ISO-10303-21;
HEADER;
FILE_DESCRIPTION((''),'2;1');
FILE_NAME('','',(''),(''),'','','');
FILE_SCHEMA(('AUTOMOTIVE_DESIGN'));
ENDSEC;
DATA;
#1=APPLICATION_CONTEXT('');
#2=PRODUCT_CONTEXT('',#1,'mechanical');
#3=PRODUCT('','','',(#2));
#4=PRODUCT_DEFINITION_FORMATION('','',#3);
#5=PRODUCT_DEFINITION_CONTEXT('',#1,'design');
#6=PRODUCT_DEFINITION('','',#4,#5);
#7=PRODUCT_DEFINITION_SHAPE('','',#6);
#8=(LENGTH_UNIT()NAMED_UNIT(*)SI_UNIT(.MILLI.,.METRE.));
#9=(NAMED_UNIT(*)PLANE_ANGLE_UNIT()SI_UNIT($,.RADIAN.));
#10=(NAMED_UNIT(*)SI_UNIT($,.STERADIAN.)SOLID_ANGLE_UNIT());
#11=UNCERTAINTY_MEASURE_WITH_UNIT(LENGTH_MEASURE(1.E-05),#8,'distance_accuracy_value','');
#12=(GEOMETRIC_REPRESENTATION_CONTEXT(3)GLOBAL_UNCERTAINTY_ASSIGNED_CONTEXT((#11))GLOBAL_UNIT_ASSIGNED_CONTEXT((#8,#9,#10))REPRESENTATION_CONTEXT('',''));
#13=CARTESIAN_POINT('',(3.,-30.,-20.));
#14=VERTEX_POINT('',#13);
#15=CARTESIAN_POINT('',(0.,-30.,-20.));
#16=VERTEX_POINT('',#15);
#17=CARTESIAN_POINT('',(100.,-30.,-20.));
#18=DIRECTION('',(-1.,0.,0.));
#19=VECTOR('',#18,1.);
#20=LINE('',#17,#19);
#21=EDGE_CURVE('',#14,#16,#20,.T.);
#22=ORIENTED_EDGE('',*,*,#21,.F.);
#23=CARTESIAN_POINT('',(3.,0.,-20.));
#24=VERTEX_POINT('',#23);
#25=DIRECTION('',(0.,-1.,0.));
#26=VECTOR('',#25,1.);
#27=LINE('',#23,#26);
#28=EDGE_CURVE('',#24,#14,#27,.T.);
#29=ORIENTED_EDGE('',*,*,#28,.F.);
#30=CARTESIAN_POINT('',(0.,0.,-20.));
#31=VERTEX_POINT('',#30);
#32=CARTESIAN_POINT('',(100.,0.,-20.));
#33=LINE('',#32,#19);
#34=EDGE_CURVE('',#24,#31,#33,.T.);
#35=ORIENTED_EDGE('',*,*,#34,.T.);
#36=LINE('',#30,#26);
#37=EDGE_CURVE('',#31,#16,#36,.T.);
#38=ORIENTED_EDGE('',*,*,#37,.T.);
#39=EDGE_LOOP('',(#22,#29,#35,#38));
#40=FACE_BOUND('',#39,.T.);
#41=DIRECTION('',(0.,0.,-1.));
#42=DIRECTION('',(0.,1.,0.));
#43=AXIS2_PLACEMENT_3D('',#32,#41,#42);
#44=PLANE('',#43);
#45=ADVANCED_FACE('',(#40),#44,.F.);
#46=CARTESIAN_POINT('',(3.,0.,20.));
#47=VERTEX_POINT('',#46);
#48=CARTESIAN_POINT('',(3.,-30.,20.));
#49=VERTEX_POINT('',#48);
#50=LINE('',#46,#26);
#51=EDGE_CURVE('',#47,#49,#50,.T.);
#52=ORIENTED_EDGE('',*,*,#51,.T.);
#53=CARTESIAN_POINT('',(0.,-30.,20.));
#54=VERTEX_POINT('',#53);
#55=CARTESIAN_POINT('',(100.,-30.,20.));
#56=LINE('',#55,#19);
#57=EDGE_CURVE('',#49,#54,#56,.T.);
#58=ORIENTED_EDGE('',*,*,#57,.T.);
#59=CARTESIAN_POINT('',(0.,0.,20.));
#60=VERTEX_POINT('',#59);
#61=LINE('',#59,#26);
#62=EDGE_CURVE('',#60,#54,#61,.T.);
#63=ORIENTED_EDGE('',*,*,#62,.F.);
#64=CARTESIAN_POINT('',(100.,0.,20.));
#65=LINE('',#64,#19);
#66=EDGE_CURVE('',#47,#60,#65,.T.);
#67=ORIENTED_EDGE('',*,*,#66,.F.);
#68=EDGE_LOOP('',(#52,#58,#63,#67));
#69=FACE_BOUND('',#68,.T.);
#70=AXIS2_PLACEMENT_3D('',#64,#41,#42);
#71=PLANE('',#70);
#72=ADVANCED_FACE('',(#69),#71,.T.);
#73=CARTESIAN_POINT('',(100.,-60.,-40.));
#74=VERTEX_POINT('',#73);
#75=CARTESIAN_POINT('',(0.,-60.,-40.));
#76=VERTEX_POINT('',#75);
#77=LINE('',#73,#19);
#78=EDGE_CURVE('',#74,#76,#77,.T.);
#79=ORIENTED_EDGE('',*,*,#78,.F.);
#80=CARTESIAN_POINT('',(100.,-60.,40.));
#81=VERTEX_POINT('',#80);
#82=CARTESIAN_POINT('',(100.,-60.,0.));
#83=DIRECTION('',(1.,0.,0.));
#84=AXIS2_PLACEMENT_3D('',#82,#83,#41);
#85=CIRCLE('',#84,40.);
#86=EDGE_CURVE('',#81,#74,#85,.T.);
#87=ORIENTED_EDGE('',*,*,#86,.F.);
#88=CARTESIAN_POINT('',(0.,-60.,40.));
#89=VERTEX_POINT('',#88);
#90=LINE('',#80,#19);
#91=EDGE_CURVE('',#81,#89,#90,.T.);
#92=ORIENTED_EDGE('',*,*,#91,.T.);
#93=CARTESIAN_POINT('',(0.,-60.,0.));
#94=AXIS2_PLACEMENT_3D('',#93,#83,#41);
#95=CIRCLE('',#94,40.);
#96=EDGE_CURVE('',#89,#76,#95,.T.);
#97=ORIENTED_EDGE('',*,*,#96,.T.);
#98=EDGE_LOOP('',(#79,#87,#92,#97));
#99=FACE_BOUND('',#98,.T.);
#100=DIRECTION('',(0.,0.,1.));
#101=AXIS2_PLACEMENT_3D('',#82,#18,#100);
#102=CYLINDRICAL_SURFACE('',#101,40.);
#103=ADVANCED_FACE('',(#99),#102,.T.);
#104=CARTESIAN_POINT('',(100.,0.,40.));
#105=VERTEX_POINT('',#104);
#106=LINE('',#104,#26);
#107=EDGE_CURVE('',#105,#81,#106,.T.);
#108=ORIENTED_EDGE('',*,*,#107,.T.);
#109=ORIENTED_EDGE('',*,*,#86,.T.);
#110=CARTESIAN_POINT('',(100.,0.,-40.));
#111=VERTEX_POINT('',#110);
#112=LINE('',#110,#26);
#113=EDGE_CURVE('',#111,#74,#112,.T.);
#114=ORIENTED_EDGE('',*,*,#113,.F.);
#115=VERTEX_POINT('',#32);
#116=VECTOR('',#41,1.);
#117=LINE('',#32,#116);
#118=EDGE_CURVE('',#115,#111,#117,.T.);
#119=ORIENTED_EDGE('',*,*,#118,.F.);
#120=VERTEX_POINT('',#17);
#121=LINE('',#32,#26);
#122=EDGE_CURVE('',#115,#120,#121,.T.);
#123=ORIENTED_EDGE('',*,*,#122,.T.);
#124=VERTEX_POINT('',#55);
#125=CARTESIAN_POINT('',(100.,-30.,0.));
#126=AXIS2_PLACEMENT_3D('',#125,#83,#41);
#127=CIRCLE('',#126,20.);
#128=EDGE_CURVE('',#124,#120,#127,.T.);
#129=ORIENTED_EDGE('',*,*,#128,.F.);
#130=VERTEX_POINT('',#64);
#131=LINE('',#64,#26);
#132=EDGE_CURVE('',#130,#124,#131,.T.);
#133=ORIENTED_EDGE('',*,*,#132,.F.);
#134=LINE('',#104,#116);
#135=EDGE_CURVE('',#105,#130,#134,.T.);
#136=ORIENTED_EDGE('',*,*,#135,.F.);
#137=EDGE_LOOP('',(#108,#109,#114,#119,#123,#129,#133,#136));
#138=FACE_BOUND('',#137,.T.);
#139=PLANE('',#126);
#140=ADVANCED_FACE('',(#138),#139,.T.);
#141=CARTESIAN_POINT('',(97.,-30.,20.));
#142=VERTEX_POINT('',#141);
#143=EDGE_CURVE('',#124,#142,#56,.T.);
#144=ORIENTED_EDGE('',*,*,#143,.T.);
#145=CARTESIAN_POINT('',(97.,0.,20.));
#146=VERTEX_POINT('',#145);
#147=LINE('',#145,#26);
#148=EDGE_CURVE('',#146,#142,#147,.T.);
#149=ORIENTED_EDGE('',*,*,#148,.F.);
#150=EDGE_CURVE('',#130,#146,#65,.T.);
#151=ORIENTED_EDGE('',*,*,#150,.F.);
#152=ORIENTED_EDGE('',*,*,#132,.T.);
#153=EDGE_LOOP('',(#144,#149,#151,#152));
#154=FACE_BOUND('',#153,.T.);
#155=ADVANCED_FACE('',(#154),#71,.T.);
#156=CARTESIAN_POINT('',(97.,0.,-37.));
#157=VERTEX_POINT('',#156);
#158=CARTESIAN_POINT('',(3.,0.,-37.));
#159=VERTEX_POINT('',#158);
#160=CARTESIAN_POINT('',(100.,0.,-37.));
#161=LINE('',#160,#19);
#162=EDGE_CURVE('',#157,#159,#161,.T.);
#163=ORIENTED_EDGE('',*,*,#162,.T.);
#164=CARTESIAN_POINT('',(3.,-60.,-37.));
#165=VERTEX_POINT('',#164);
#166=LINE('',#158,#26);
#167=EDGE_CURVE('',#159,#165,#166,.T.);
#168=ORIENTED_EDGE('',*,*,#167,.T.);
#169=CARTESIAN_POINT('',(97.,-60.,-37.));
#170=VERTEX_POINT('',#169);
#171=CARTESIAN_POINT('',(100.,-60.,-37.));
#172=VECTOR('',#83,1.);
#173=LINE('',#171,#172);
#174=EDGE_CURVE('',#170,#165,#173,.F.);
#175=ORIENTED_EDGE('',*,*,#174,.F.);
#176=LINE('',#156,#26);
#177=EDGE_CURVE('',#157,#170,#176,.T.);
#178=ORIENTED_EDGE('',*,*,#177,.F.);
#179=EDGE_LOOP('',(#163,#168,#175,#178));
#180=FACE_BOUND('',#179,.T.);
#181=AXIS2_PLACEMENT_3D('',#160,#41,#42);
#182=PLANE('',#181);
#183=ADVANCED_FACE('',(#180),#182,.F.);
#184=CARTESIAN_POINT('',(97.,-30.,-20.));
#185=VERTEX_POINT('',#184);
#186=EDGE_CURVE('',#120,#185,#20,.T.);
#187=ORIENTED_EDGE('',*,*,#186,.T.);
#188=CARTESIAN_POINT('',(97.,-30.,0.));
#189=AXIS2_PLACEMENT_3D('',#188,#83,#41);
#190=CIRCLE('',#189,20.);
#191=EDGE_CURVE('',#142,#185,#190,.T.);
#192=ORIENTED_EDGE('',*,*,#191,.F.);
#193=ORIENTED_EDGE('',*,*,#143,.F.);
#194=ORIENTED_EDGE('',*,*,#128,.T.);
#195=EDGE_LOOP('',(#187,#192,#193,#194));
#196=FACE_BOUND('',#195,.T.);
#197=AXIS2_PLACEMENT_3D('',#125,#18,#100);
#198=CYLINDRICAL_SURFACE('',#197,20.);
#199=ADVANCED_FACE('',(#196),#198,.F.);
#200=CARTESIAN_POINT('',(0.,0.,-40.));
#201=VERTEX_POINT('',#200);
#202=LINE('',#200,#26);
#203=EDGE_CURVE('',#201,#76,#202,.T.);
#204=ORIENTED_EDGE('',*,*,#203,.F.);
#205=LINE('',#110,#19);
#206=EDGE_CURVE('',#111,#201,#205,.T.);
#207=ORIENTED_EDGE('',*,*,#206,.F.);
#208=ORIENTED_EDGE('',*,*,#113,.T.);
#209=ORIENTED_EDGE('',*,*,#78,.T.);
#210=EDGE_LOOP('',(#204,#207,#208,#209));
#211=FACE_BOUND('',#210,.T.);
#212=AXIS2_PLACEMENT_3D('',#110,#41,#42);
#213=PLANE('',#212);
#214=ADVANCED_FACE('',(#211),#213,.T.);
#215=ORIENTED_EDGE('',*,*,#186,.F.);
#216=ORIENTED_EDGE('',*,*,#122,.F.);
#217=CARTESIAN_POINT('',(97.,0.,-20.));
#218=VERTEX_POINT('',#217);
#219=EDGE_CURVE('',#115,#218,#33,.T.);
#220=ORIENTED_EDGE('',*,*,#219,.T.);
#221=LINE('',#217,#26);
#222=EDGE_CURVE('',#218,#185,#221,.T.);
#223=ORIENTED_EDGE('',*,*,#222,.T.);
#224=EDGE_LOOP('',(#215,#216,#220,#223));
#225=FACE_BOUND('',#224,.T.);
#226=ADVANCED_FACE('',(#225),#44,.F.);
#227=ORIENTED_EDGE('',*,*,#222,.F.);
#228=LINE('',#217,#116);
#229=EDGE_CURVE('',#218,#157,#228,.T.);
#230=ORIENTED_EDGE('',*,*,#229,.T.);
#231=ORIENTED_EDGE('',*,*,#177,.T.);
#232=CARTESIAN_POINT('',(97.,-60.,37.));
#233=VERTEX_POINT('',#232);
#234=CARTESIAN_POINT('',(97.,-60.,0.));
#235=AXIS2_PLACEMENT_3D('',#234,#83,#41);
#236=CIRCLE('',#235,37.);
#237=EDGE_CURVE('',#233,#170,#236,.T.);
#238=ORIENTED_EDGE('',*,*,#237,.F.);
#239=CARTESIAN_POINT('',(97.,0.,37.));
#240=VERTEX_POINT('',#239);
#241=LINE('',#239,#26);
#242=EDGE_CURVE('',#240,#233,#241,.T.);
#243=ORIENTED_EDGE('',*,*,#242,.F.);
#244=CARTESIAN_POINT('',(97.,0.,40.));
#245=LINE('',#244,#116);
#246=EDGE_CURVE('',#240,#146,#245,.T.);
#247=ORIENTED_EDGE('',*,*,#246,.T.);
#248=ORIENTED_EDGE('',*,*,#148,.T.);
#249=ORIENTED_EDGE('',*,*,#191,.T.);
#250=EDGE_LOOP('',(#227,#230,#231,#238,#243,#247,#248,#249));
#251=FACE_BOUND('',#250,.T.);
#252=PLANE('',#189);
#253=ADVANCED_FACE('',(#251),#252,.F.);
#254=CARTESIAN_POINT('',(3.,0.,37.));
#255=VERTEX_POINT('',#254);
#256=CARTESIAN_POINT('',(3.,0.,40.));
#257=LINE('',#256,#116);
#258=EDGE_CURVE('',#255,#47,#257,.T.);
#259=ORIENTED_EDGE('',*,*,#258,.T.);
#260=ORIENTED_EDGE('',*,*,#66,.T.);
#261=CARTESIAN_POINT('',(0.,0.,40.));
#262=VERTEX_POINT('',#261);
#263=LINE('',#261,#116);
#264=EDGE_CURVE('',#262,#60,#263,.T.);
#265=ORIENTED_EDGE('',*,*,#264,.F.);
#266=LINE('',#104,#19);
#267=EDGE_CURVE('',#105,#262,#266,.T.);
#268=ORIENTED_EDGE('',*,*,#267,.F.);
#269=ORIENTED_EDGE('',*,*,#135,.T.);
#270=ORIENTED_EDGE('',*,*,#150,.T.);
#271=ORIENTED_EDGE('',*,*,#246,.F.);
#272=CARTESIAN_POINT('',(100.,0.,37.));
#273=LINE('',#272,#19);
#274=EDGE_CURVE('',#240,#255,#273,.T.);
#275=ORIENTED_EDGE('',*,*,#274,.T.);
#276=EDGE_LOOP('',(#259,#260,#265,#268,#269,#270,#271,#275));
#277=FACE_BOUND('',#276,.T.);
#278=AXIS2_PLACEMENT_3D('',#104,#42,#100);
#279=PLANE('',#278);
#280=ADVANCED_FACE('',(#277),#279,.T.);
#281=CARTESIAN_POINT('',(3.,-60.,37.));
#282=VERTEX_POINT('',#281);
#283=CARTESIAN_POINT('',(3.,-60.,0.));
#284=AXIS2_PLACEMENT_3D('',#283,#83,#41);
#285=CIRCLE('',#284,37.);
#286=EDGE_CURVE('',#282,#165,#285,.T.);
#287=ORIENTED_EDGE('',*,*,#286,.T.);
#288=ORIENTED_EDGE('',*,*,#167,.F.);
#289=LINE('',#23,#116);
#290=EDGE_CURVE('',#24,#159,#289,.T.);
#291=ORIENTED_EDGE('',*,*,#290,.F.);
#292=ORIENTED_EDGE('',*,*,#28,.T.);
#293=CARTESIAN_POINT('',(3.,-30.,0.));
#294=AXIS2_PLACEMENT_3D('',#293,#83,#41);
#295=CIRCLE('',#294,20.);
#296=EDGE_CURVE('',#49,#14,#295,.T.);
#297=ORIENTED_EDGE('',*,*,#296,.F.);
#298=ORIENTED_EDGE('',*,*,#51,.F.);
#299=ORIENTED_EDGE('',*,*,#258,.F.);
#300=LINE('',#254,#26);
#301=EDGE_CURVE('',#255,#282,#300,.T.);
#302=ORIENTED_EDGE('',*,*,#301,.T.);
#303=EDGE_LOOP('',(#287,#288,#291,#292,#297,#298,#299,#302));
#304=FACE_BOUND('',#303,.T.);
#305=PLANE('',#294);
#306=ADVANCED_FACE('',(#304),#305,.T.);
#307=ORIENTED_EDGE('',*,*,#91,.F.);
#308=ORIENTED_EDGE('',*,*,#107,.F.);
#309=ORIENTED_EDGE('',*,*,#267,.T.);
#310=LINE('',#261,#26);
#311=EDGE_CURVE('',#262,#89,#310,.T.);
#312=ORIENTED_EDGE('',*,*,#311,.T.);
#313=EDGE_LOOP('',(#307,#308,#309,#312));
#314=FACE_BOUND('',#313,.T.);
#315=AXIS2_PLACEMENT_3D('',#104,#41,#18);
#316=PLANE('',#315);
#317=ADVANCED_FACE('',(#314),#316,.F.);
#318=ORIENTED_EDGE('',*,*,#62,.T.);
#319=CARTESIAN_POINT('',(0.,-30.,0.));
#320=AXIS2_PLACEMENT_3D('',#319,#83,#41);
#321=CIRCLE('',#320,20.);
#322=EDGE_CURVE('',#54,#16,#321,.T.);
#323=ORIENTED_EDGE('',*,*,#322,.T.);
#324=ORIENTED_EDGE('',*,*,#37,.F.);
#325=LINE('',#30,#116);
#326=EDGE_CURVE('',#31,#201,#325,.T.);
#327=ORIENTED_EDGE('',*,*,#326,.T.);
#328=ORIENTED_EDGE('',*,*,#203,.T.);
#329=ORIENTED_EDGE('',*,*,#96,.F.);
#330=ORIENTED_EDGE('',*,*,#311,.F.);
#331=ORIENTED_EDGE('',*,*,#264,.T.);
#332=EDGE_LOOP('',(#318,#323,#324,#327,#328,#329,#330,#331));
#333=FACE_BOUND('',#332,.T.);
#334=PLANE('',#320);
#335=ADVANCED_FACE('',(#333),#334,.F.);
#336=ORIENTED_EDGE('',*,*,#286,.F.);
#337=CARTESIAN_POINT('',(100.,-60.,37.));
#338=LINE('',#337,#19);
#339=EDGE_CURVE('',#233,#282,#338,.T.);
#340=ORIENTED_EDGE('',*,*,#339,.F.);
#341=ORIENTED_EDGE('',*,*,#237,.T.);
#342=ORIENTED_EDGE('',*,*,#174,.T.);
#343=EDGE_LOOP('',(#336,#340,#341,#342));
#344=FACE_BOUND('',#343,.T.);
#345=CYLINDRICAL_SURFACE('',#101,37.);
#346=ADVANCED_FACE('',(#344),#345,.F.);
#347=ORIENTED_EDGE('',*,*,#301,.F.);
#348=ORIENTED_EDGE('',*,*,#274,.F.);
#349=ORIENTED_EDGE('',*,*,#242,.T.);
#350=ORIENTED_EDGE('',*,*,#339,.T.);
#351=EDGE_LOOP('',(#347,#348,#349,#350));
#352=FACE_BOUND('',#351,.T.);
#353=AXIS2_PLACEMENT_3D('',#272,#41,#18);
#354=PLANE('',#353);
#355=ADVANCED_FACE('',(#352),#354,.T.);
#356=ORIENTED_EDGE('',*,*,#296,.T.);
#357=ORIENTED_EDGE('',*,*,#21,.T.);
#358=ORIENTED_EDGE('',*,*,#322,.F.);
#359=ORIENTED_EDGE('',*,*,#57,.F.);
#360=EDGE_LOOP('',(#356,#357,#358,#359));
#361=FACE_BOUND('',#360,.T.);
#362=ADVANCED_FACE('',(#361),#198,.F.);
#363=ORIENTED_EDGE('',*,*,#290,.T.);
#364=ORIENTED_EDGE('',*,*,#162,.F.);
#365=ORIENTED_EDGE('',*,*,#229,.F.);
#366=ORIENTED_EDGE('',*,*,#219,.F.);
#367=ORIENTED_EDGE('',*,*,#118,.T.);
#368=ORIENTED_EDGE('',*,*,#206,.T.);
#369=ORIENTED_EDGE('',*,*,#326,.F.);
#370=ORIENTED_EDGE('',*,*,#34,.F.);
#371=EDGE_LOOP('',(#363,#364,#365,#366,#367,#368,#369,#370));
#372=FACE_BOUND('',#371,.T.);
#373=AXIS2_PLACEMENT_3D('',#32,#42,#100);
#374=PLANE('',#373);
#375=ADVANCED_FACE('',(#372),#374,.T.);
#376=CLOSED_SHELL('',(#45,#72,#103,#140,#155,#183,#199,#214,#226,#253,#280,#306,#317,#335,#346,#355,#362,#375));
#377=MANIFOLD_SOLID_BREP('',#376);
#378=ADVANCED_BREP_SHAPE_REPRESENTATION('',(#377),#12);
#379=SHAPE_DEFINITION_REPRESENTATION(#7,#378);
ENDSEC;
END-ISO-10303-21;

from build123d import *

# Parameters (mm, degrees)
BOSS_EXTRUDE2_DEPTH = 100
SHELL1_T            = -3


with BuildPart() as part:
    # Sketch1 → Boss-Extrude2 (new body)
    with BuildSketch(Plane(origin=(0, 0, 0), x_dir=(0, 0, -1), z_dir=(1, 0, 0))):
        with BuildLine():
            Line((40, 0), (40, -60))
            ThreePointArc((40, -60), (0, -100), (-40, -60))
            Line((-40, -60), (-40, 0))
            Line((-40, 0), (-20, 0))
            Line((-20, 0), (-20, -30))
            ThreePointArc((-20, -30), (0, -50), (20, -30))
            Line((20, -30), (20, 0))
            Line((20, 0), (40, 0))
        make_face()
    extrude(amount=BOSS_EXTRUDE2_DEPTH)

    # Shell1
    shell1_openings = [part.faces().sort_by_distance(p)[0] for p in [
        (50, 0, -30),
        (50, -15, -20),
        (50, -50, 0),
        (50, -15, 20),
        (50, 0, 30),
    ]]
    offset(amount=SHELL1_T, openings=shell1_openings, kind=Kind.INTERSECTION)


solid = part.part
